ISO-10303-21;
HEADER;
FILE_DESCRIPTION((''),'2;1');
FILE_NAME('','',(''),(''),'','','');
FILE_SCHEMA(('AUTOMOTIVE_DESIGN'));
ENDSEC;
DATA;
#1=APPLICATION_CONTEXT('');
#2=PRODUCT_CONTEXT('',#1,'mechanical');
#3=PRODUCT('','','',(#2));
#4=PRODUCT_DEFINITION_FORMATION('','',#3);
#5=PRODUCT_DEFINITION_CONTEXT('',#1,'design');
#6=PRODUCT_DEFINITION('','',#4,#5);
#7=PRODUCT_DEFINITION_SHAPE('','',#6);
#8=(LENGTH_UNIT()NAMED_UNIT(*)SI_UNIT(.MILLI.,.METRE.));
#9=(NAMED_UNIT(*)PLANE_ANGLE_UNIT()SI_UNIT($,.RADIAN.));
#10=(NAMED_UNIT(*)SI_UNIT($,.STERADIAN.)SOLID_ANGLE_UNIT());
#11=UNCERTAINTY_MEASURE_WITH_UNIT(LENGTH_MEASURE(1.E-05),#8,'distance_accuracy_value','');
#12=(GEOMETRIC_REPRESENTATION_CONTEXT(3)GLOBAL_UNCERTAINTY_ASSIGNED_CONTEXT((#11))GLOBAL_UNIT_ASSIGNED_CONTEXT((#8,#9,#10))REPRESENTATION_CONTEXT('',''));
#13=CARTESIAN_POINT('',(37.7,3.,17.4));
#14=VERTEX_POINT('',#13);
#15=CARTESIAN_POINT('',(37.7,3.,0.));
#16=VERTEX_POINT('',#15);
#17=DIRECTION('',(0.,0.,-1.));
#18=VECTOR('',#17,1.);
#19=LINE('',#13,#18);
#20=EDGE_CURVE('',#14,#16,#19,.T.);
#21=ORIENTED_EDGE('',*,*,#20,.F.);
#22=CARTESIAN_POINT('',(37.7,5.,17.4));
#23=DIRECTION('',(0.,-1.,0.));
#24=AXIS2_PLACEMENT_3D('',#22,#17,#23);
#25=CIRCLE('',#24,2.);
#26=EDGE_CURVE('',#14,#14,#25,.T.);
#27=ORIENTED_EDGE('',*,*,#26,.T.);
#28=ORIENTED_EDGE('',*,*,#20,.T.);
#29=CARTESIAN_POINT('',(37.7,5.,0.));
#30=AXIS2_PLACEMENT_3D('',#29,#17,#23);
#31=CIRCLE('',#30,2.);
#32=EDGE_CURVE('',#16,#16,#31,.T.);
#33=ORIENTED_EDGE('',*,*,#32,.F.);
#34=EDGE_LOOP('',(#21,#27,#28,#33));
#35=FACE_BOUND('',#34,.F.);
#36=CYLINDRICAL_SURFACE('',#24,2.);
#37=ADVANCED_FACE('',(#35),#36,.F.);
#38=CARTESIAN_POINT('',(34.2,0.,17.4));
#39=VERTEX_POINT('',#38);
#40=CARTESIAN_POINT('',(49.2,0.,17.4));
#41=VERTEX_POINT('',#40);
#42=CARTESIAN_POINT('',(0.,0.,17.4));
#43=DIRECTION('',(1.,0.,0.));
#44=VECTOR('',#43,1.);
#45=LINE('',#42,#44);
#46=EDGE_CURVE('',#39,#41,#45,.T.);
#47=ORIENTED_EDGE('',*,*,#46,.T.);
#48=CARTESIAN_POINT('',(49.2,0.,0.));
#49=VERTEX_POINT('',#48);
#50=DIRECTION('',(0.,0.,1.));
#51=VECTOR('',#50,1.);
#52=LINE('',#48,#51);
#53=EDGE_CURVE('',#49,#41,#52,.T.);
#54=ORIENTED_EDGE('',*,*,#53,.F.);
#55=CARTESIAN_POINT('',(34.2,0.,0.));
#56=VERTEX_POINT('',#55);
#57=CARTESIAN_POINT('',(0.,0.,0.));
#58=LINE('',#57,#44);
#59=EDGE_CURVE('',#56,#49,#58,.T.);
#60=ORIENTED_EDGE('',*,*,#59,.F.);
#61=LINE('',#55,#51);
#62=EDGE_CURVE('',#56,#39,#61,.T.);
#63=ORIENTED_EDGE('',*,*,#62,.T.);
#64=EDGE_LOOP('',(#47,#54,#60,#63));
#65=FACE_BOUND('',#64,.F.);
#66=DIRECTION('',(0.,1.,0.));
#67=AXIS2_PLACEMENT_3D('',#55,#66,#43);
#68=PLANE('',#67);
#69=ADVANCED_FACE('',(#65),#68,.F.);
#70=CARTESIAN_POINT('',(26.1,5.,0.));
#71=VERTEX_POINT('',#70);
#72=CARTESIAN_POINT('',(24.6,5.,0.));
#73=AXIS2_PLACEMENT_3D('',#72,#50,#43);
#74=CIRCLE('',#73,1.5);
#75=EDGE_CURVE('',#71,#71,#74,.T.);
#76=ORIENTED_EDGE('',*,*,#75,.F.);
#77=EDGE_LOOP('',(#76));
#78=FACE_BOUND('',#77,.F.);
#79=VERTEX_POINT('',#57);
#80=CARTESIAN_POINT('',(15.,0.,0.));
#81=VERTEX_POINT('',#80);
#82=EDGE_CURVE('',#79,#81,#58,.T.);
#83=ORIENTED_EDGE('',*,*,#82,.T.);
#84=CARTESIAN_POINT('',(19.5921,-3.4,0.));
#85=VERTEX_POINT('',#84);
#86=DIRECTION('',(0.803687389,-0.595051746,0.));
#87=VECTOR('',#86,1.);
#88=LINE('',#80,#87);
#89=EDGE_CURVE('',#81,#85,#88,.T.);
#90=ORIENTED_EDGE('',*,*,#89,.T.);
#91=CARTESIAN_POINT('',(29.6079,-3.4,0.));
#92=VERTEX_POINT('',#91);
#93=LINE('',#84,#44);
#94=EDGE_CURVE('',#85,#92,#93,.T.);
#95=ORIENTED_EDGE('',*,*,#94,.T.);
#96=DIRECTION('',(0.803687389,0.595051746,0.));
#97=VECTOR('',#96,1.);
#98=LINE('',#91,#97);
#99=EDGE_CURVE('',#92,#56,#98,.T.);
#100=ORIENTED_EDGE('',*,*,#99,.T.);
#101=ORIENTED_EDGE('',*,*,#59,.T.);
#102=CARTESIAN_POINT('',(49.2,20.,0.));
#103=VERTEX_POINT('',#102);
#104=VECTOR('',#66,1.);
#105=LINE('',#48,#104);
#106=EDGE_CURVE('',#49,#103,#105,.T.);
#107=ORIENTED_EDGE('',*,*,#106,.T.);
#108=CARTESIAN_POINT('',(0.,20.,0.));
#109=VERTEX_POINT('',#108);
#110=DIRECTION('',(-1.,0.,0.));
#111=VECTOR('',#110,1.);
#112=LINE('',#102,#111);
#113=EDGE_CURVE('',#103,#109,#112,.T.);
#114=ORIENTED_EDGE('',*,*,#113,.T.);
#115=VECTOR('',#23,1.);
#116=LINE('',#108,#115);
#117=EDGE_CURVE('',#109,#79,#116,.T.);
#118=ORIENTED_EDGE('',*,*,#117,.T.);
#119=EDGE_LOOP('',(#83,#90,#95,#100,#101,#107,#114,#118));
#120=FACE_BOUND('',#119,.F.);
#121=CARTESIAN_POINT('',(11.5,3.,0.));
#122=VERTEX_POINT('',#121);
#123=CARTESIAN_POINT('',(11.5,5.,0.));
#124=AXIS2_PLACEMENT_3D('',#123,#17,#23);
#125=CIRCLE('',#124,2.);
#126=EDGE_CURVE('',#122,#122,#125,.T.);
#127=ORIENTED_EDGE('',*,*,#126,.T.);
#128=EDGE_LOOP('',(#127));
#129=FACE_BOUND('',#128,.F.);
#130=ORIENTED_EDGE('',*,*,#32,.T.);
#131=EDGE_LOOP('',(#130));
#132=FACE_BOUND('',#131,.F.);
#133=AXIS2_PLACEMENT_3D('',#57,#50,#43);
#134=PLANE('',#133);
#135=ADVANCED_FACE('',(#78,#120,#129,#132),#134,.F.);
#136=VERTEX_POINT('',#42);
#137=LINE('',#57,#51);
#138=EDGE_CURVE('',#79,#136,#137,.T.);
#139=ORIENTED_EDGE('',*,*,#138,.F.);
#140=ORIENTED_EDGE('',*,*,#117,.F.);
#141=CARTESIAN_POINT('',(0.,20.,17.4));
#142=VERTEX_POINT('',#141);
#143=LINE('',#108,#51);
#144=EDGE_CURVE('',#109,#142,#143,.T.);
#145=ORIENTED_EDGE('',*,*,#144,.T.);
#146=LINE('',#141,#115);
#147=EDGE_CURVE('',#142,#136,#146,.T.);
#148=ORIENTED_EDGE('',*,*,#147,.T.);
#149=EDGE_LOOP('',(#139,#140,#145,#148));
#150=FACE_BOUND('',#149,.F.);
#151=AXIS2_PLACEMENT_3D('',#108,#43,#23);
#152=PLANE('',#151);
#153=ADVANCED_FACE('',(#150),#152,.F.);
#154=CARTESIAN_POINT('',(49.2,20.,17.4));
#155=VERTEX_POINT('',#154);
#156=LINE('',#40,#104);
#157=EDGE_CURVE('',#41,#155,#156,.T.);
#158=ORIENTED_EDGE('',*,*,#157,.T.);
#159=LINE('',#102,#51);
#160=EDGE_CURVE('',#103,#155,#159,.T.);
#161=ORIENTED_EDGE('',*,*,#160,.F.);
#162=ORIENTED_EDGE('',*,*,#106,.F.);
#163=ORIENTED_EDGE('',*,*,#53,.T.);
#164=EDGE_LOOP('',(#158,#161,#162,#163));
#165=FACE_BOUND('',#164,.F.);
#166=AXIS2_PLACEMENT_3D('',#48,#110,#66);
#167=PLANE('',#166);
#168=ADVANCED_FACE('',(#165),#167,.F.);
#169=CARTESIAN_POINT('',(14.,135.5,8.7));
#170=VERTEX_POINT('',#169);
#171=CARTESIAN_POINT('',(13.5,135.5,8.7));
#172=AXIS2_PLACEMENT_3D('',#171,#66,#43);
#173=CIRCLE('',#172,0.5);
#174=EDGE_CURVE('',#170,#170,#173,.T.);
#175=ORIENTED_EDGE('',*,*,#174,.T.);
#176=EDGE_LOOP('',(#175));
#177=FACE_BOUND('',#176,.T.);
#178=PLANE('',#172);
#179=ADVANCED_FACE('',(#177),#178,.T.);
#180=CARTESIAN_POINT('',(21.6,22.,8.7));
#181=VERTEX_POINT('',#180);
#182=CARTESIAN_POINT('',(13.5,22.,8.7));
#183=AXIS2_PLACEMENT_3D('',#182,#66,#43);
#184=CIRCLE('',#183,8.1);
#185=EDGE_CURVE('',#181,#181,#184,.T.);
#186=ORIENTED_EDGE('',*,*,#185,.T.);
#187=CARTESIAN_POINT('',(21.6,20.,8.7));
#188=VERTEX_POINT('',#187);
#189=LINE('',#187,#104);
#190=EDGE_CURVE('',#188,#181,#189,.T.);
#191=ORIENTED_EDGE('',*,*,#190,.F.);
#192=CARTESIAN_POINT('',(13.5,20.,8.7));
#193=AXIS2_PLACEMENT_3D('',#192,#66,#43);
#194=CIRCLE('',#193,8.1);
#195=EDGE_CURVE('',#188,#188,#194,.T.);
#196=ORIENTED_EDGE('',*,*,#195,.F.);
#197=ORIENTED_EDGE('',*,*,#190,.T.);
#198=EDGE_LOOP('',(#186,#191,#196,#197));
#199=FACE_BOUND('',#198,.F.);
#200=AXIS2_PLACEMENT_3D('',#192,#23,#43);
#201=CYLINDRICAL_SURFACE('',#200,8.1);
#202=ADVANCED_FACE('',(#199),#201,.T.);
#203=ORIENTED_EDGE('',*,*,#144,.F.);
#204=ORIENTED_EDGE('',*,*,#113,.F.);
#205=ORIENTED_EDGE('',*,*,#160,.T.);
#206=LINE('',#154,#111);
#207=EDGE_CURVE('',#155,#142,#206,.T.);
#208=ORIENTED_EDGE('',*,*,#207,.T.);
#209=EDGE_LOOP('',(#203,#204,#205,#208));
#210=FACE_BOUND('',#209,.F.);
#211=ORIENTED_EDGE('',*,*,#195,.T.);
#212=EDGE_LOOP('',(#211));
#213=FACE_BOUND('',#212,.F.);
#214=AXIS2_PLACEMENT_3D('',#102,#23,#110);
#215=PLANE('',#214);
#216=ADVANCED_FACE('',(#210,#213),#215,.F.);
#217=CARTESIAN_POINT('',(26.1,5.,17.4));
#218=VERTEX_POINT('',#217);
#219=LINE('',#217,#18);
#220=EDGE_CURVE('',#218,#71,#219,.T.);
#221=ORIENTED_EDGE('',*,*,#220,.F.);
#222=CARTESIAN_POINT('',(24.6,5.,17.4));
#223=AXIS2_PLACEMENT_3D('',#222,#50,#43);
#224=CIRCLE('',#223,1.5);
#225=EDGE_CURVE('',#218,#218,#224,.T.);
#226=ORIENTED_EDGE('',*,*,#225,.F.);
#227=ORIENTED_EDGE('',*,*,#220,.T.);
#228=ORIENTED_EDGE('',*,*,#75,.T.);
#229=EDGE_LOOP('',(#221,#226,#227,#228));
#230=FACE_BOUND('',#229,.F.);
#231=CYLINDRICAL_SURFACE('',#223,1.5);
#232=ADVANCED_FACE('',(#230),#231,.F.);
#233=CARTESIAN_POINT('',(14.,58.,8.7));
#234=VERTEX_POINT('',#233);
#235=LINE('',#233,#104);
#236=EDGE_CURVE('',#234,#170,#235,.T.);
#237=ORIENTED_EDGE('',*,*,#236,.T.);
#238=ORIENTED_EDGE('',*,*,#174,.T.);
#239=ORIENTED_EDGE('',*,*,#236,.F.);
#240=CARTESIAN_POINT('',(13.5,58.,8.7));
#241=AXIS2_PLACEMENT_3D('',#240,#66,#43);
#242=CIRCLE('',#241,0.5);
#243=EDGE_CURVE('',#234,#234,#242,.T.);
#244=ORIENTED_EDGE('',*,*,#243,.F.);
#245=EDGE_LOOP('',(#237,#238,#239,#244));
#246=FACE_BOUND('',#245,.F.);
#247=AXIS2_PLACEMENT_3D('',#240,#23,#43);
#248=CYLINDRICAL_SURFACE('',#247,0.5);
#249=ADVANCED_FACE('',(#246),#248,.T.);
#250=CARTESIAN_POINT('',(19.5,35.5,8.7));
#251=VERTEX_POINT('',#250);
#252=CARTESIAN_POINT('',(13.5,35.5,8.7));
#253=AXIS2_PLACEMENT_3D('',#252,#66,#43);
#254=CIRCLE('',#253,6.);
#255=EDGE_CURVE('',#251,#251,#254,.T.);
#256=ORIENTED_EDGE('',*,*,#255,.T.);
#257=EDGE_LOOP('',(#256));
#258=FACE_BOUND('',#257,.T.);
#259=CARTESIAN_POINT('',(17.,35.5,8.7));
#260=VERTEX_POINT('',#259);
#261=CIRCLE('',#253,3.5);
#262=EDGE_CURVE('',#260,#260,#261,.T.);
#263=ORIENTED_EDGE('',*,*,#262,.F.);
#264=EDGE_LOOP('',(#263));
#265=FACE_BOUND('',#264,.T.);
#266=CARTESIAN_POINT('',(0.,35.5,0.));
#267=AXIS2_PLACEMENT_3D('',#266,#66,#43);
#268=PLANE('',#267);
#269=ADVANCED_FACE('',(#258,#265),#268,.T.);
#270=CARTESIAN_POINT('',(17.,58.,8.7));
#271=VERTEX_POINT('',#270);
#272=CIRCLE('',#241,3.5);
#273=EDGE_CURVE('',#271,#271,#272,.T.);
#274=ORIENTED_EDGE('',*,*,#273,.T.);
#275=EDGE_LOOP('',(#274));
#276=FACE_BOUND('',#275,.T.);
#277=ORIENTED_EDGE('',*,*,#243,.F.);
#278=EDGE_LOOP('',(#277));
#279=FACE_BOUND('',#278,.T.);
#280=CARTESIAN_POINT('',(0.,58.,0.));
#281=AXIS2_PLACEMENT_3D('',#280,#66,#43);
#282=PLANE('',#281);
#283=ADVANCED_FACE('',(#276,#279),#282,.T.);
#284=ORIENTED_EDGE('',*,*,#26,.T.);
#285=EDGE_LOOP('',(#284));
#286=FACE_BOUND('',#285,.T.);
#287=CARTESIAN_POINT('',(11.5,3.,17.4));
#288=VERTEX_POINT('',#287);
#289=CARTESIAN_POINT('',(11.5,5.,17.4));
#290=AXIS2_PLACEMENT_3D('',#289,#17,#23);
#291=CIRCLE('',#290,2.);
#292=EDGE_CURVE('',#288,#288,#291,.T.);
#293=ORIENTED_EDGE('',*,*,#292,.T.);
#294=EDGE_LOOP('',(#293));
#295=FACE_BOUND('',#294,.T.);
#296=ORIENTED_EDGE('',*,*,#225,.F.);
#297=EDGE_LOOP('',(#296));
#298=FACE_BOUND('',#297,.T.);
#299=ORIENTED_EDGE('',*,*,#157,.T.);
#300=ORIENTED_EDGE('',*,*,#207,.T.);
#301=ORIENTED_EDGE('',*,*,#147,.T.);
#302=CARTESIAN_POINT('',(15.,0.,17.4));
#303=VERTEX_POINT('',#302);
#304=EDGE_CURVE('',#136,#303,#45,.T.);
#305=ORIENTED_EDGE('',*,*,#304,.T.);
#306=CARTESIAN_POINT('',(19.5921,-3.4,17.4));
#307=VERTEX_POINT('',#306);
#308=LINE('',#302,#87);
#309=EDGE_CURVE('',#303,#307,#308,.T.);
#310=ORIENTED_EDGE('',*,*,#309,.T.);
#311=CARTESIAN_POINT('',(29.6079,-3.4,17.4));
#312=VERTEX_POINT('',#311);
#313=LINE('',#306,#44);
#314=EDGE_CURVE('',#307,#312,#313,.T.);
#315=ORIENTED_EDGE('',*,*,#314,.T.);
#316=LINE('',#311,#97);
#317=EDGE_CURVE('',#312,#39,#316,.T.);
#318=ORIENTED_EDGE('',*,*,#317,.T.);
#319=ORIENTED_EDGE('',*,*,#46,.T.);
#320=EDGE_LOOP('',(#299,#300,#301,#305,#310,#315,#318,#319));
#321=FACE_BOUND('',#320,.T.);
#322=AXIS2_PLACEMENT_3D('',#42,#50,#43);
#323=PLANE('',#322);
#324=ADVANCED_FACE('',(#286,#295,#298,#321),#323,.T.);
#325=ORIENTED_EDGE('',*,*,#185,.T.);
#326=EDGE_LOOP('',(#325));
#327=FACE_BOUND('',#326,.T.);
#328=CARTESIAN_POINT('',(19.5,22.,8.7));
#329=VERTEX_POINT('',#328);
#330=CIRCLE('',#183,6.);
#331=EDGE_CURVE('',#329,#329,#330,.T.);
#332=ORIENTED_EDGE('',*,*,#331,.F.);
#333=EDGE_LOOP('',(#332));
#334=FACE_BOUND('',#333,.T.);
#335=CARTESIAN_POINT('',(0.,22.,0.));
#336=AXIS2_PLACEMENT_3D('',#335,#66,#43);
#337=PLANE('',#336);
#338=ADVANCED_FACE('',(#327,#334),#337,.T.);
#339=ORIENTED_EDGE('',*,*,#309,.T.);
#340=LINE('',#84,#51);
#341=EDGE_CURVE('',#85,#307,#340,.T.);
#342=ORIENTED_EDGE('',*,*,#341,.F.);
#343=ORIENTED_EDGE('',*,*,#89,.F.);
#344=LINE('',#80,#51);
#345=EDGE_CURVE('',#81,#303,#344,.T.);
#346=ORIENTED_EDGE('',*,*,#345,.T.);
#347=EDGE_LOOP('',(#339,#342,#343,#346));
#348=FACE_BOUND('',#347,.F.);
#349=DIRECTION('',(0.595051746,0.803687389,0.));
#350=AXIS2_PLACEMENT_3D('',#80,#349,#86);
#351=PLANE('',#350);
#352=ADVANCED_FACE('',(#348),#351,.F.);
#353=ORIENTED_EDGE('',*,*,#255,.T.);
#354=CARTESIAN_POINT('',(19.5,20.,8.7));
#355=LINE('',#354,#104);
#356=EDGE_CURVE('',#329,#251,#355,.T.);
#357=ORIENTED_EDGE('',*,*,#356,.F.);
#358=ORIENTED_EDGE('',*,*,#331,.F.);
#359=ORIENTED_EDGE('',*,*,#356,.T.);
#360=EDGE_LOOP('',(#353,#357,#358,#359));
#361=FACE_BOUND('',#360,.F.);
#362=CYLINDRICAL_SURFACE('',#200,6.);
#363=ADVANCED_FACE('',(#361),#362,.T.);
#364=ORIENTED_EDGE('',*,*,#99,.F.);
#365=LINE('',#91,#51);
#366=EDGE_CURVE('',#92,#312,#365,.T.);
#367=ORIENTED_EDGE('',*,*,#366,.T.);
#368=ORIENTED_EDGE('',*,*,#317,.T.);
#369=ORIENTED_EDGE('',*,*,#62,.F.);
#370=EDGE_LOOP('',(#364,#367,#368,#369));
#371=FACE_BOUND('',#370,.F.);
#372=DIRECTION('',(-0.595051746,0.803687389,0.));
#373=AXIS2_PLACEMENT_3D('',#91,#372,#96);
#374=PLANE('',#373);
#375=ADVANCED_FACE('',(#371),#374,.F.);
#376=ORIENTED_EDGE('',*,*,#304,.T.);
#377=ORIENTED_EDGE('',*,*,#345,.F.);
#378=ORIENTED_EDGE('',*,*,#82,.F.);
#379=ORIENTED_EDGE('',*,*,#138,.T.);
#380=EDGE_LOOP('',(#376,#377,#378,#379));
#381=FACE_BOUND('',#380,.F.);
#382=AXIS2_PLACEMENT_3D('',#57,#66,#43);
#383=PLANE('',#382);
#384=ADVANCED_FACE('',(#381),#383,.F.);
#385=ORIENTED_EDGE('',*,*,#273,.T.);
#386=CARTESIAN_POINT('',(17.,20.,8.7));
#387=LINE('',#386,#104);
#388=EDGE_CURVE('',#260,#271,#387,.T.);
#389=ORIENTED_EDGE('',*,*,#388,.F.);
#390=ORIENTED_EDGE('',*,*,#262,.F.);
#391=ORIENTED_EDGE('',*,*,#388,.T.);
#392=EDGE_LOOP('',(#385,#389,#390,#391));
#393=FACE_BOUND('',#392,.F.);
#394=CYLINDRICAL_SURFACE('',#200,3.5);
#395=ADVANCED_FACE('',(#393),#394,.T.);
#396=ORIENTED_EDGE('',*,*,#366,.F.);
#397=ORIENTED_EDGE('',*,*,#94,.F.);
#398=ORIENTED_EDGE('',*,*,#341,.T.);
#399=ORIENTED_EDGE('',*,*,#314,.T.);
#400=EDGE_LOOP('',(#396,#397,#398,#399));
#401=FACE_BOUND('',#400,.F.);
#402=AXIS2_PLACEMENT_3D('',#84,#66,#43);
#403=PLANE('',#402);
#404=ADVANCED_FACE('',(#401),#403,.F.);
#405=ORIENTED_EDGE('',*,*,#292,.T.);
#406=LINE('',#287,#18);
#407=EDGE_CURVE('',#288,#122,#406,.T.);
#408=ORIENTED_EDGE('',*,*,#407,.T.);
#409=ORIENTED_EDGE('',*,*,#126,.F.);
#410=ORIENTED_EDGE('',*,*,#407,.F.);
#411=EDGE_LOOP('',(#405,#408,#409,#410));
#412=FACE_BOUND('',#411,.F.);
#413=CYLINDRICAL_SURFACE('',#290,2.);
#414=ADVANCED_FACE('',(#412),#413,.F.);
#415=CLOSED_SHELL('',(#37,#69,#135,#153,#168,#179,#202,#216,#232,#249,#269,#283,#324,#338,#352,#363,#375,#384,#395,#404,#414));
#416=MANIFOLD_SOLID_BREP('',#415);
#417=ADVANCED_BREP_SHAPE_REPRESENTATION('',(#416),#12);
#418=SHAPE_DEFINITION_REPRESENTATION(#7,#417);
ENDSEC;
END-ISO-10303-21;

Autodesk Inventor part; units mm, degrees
ref_plane "YZ Plane" through (0, 0, 0) normal (1, 0, 0) x (0, 1, 0)
ref_plane "XZ Plane" through (0, 0, 0) normal (0, 1, 0) x (-1, 0, 0)
ref_plane "XY Plane" through (0, 0, 0) normal (0, 0, 1) x (1, 0, 0)
sketch "スケッチ1" plane through (0, 0, 0) normal (0, 0, 1) x (1, 0, 0)
  line L0 (0, 0) -> (49.2, 0)
  line L1 (49.2, 0) -> (49.2, 20)
  line L2 (49.2, 20) -> (0, 20)
  line L3 (0, 20) -> (0, 0)
  line L4 (15, 0) -> (19.5921, -3.4)
  line L5 (19.5921, -3.4) -> (29.6079, -3.4)
  line L6 (29.6079, -3.4) -> (34.2, 0)
  dimension "d0" = 49.2
  dimension "d1" = 20
  dimension "d2" = 15
  dimension "d3" = 15
  dimension "d4" = 3.4
extrude "押し出し1" add sketch "スケッチ1" along normal blind 17.4
sketch "スケッチ2" plane through (0, 20, 0) normal (0, 1, 0) x (1, 0, 0)
  circle A0 centre (13.5, -8.7) radius 8.1
  line L0 (0, 0) -> (0, -17.4) projected
  circle A1 centre (13.5, -8.7) radius 6
  circle A2 centre (13.5, -8.7) radius 3.5
  dimension "d7" = 16.2
  dimension "d8" = 13.5
  dimension "d9" = 12
  dimension "d10" = 7
extrude "押し出し2" add sketch "スケッチ2" along normal blind 2 contours A0
extrude "押し出し3" add sketch "スケッチ2" along normal blind 15.5 contours A1
extrude "押し出し4" add sketch "スケッチ2" along normal blind 38 contours A2
sketch "スケッチ3" plane through (13.5, 58, 8.7) normal (0, 1, 0) x (1, 0, 0)
  circle A0 centre (0, 0) radius 0.5
  point P0 (-13.5, 8.7)
  dimension "d17" = 1
extrude "押し出し5" add sketch "スケッチ3" along normal blind 77.5
sketch "スケッチ4" plane through (0, 0, 17.4) normal (0, 0, 1) x (1, 0, 0)
  line L0 (0, 0) -> (15, 0) projected
  line L1 (34.2, 0) -> (49.2, 0) projected
  line L2 (49.2, 0) -> (49.2, 20) projected
  line L3 (0, 20) -> (0, 0) projected
  point P0 (11.5, 5)
  point P1 (37.7, 5)
  dimension "d20" = 5
  dimension "d21" = 5
  dimension "d22" = 11.5
  dimension "d23" = 11.5
hole "穴1" at (11.5, 5, 17.4) at (37.7, 5, 17.4) direction (0, 0, -1) diameter 4 end through all
sketch "スケッチ5" plane through (0, 0, 17.4) normal (0, 0, 1) x (1, 0, 0)
  circle A0 centre (11.5, 5) radius 2 projected
  circle A1 centre (37.7, 5) radius 2 projected
  line L0 (29.6079, -3.4) -> (34.2, 0) projected
  line L1 (34.2, 0) -> (49.2, 0) projected
  line L2 (49.2, 0) -> (49.2, 20) projected
  line L3 (49.2, 20) -> (0, 20) projected
  line L4 (0, 20) -> (0, 0) projected
  line L5 (0, 0) -> (15, 0) projected
  line L6 (15, 0) -> (19.5921, -3.4) projected
  line L7 (19.5921, -3.4) -> (29.6079, -3.4) projected
  circle A2 centre (24.6, 5) radius 1.5
  dimension "d31" = 3
extrude "押し出し6" cut sketch "スケッチ5" against normal blind 40 contours A2
properties part number "Z-15HNJS55-B" material "ABS プラスチック"
